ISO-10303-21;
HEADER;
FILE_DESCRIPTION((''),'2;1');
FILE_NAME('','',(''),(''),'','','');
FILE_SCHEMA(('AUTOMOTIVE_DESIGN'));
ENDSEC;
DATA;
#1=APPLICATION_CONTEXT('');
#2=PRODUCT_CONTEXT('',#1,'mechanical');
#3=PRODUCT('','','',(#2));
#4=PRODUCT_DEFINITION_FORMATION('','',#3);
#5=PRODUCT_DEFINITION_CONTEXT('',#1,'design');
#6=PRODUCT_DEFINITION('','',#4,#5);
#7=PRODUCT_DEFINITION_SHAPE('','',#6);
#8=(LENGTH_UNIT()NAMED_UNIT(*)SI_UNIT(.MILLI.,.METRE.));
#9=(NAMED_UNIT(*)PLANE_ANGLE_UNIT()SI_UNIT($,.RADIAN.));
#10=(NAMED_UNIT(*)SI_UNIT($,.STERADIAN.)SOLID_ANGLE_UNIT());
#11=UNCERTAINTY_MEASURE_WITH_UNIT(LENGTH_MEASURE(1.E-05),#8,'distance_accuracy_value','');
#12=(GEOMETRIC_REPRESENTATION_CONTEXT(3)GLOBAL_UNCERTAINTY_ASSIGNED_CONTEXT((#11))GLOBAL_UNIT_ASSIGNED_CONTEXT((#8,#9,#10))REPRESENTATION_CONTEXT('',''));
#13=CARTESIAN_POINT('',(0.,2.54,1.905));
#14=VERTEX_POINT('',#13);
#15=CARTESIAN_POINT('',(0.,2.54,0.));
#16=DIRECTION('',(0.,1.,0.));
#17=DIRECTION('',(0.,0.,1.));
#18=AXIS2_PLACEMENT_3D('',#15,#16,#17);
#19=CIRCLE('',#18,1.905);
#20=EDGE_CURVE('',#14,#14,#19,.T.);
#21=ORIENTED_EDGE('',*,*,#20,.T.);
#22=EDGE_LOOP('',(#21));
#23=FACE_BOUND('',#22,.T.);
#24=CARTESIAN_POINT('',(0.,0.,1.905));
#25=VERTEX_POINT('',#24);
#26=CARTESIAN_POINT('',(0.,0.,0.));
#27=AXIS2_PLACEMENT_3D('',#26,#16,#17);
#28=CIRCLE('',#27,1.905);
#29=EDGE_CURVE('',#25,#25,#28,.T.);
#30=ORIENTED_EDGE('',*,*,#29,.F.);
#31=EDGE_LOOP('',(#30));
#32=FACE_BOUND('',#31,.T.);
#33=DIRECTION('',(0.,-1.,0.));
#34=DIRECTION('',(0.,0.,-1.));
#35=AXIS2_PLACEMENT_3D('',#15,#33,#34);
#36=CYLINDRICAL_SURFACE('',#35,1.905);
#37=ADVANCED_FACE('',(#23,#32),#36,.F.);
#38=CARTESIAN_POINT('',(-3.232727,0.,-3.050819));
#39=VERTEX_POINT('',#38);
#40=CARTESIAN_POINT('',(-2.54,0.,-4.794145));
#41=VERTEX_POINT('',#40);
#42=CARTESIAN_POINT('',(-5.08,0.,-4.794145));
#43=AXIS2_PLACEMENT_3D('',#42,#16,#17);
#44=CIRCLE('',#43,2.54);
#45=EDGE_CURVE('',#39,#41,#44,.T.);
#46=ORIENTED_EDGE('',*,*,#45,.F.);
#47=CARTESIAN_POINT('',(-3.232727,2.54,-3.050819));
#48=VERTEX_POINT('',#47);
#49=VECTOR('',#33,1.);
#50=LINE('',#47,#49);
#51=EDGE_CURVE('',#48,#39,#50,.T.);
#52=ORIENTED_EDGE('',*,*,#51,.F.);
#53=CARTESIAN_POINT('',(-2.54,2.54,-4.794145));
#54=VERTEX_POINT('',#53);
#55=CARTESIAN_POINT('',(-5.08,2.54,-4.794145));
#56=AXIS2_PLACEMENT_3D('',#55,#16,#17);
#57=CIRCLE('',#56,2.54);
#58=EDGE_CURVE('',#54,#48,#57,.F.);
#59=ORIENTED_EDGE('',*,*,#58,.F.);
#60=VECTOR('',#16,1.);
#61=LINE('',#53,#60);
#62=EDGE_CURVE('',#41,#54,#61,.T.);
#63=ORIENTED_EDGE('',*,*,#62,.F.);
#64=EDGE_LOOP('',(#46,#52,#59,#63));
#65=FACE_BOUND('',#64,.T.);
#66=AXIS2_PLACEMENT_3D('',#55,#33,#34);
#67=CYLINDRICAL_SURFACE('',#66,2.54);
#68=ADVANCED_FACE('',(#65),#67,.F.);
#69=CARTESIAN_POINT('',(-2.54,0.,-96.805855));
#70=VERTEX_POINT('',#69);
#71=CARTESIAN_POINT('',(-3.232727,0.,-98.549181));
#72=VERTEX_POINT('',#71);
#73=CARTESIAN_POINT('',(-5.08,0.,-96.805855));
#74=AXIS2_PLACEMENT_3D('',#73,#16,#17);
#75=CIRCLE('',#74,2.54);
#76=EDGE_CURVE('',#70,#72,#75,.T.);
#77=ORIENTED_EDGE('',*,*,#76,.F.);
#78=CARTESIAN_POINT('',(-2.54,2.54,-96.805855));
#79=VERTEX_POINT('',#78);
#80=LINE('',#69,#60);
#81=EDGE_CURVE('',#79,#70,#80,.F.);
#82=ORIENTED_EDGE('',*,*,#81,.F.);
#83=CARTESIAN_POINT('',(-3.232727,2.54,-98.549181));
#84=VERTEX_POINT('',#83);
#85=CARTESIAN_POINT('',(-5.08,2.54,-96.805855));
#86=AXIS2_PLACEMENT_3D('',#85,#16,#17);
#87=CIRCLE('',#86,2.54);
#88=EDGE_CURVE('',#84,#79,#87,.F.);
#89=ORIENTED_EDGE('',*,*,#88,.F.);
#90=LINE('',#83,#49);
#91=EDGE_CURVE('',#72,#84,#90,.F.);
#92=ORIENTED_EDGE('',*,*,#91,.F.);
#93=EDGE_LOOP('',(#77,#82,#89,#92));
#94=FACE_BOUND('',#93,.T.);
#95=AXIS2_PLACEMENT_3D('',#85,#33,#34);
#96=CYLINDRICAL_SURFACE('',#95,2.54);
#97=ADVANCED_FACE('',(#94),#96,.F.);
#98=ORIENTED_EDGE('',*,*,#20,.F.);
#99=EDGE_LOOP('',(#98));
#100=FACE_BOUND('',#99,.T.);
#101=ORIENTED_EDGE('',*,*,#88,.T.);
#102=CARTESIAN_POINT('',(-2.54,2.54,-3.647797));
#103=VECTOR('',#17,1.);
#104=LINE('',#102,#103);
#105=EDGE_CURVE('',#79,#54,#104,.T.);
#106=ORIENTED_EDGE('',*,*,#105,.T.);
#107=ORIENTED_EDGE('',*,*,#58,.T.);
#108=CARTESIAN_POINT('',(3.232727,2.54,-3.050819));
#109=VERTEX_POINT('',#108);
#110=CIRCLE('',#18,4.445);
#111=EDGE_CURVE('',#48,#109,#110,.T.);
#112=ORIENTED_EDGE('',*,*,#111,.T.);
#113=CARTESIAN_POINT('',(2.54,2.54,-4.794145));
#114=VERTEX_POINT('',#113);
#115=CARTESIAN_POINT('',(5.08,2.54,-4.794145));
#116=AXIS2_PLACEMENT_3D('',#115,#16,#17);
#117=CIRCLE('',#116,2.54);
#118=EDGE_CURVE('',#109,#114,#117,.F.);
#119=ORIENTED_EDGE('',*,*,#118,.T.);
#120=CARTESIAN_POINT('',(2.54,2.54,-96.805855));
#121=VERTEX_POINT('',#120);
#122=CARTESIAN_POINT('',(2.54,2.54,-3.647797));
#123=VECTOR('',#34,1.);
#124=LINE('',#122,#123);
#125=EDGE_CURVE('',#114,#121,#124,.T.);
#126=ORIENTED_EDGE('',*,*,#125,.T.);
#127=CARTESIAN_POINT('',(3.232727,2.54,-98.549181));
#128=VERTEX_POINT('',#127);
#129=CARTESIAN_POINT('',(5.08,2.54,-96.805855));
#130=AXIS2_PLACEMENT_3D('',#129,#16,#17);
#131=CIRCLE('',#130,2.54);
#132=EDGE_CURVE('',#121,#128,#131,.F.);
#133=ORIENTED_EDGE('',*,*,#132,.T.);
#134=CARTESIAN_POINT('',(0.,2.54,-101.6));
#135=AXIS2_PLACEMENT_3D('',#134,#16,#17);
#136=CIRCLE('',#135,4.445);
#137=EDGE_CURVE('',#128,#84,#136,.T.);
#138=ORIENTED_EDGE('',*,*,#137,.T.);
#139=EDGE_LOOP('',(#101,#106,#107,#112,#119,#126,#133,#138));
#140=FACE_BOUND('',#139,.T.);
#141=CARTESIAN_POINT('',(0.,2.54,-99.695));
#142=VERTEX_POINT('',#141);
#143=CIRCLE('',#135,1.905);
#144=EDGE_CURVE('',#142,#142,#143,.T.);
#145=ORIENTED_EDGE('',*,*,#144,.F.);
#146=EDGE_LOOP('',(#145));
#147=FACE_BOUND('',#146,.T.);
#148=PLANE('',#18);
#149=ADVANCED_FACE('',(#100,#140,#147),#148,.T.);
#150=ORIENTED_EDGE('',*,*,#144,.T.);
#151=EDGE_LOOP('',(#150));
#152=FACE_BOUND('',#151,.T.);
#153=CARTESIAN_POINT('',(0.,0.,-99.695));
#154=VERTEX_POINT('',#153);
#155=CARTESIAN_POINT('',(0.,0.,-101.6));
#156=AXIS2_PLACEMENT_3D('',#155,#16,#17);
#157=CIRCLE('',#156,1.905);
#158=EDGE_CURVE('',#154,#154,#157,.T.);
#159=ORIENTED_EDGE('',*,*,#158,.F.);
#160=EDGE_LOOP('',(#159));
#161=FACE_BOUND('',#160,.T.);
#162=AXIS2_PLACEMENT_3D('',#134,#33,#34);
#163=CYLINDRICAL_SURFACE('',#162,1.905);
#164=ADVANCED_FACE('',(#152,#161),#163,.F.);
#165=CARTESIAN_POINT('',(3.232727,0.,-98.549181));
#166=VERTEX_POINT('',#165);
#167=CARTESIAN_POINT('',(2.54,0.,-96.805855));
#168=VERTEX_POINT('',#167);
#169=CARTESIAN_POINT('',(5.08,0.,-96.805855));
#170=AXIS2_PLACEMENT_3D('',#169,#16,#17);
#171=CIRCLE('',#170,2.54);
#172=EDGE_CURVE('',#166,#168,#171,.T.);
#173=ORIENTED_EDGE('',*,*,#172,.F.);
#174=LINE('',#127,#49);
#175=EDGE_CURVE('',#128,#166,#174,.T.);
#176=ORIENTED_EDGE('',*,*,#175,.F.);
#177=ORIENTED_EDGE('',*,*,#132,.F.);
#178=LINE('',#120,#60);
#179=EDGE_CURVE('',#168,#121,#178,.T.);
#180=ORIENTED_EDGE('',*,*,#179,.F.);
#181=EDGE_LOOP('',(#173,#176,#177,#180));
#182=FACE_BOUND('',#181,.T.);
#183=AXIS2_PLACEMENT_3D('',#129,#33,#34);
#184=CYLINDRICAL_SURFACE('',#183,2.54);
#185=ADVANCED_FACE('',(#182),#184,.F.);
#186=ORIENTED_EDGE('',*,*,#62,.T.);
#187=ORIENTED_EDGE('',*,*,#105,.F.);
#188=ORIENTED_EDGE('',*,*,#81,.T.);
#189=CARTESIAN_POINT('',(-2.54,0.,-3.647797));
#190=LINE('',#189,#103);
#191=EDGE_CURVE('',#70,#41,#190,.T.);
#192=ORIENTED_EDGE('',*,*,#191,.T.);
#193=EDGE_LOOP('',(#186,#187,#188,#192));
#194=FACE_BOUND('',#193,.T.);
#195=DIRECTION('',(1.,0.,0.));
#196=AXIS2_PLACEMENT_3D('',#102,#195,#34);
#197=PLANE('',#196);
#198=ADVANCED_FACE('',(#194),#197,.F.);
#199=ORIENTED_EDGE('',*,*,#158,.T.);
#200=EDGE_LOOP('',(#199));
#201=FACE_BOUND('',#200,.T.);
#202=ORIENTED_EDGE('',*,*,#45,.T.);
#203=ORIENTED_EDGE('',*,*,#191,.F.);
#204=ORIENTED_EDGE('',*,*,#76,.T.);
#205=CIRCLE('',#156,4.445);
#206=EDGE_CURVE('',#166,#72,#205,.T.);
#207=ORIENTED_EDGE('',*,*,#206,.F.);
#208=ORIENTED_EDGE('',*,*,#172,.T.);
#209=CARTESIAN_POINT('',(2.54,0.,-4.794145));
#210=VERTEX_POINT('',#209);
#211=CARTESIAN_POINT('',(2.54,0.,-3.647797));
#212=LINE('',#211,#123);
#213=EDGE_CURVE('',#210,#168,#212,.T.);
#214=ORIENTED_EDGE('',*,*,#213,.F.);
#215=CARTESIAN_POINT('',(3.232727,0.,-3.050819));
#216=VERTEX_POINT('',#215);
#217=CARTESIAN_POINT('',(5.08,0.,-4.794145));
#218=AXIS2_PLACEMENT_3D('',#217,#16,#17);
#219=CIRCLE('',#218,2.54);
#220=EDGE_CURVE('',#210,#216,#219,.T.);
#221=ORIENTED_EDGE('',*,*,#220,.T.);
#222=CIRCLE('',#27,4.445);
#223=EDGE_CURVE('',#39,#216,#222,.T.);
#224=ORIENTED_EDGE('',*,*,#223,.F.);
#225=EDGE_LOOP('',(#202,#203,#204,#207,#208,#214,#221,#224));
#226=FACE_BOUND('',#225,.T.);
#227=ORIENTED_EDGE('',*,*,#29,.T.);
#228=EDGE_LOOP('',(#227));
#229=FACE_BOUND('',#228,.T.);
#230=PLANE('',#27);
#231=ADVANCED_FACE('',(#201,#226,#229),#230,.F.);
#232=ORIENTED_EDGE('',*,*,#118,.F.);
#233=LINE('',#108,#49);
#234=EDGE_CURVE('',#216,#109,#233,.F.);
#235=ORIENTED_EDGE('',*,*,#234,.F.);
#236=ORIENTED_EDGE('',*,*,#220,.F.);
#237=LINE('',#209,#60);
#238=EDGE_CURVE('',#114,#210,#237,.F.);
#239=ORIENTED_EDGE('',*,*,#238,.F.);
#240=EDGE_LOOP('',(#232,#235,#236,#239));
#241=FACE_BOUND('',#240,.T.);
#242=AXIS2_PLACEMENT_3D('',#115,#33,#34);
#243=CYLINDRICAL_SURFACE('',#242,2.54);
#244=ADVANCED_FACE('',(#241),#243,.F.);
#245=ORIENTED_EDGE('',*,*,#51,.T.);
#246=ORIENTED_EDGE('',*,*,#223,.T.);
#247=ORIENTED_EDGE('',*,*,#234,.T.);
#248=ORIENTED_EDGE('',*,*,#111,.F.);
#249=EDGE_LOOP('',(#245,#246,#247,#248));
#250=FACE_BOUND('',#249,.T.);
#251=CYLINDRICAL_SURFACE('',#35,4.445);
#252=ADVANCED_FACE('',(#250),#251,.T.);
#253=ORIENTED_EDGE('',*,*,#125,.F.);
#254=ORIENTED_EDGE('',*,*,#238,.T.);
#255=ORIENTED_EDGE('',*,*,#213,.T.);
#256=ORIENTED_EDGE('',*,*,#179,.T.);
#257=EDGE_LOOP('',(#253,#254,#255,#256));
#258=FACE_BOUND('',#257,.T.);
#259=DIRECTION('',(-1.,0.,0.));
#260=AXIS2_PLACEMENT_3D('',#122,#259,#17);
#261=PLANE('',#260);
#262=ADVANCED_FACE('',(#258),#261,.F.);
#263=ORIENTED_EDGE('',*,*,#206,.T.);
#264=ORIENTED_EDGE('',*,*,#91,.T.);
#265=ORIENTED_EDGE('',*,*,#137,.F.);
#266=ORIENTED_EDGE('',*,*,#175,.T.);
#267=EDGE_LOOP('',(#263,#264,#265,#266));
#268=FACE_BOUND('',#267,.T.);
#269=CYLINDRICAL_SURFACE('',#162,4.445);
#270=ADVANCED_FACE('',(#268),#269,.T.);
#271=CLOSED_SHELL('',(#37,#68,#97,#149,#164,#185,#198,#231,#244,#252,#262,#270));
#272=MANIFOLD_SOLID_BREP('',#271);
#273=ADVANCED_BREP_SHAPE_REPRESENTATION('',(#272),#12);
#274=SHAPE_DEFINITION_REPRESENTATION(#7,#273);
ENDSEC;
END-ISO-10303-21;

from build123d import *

# Parameters (mm, degrees)
SKETCH1_R           = 1.905
BOSS_EXTRUDE1_DEPTH = 2.54
FILLET1_R           = 2.54


with BuildPart() as part:
    # Sketch1 → Boss-Extrude1 (new body)
    with BuildSketch(Plane(origin=(0, 0, 0), x_dir=(1, 0, 0), z_dir=(0, 1, 0))):
        with BuildLine():
            Line((2.54, 3.647797281), (2.54, 97.952202719))
            ThreePointArc((2.54, 97.952202719), (0, 106.045), (-2.54, 97.952202719))
            Line((-2.54, 97.952202719), (-2.54, 3.647797281))
            ThreePointArc((-2.54, 3.647797281), (0, -4.445), (2.54, 3.647797281))
        make_face()
        with Locations(Location((0, 101.6, 0), (0, 0, 270))):
            Circle(SKETCH1_R, mode=Mode.SUBTRACT)
        with Locations(Location((0, 0, 0), (0, 0, 270))):
            Circle(SKETCH1_R, mode=Mode.SUBTRACT)
    extrude(amount=BOSS_EXTRUDE1_DEPTH)

    # Fillet1
    fillet1_edges = [part.edges().sort_by_distance(p)[0] for p in [
        (-2.54, 1.27, -3.647797281),
        (-2.54, 1.27, -97.952202719),
        (2.54, 1.27, -97.952202719),
        (2.54, 1.27, -3.647797281),
    ]]
    fillet(fillet1_edges, radius=FILLET1_R)


solid = part.part
